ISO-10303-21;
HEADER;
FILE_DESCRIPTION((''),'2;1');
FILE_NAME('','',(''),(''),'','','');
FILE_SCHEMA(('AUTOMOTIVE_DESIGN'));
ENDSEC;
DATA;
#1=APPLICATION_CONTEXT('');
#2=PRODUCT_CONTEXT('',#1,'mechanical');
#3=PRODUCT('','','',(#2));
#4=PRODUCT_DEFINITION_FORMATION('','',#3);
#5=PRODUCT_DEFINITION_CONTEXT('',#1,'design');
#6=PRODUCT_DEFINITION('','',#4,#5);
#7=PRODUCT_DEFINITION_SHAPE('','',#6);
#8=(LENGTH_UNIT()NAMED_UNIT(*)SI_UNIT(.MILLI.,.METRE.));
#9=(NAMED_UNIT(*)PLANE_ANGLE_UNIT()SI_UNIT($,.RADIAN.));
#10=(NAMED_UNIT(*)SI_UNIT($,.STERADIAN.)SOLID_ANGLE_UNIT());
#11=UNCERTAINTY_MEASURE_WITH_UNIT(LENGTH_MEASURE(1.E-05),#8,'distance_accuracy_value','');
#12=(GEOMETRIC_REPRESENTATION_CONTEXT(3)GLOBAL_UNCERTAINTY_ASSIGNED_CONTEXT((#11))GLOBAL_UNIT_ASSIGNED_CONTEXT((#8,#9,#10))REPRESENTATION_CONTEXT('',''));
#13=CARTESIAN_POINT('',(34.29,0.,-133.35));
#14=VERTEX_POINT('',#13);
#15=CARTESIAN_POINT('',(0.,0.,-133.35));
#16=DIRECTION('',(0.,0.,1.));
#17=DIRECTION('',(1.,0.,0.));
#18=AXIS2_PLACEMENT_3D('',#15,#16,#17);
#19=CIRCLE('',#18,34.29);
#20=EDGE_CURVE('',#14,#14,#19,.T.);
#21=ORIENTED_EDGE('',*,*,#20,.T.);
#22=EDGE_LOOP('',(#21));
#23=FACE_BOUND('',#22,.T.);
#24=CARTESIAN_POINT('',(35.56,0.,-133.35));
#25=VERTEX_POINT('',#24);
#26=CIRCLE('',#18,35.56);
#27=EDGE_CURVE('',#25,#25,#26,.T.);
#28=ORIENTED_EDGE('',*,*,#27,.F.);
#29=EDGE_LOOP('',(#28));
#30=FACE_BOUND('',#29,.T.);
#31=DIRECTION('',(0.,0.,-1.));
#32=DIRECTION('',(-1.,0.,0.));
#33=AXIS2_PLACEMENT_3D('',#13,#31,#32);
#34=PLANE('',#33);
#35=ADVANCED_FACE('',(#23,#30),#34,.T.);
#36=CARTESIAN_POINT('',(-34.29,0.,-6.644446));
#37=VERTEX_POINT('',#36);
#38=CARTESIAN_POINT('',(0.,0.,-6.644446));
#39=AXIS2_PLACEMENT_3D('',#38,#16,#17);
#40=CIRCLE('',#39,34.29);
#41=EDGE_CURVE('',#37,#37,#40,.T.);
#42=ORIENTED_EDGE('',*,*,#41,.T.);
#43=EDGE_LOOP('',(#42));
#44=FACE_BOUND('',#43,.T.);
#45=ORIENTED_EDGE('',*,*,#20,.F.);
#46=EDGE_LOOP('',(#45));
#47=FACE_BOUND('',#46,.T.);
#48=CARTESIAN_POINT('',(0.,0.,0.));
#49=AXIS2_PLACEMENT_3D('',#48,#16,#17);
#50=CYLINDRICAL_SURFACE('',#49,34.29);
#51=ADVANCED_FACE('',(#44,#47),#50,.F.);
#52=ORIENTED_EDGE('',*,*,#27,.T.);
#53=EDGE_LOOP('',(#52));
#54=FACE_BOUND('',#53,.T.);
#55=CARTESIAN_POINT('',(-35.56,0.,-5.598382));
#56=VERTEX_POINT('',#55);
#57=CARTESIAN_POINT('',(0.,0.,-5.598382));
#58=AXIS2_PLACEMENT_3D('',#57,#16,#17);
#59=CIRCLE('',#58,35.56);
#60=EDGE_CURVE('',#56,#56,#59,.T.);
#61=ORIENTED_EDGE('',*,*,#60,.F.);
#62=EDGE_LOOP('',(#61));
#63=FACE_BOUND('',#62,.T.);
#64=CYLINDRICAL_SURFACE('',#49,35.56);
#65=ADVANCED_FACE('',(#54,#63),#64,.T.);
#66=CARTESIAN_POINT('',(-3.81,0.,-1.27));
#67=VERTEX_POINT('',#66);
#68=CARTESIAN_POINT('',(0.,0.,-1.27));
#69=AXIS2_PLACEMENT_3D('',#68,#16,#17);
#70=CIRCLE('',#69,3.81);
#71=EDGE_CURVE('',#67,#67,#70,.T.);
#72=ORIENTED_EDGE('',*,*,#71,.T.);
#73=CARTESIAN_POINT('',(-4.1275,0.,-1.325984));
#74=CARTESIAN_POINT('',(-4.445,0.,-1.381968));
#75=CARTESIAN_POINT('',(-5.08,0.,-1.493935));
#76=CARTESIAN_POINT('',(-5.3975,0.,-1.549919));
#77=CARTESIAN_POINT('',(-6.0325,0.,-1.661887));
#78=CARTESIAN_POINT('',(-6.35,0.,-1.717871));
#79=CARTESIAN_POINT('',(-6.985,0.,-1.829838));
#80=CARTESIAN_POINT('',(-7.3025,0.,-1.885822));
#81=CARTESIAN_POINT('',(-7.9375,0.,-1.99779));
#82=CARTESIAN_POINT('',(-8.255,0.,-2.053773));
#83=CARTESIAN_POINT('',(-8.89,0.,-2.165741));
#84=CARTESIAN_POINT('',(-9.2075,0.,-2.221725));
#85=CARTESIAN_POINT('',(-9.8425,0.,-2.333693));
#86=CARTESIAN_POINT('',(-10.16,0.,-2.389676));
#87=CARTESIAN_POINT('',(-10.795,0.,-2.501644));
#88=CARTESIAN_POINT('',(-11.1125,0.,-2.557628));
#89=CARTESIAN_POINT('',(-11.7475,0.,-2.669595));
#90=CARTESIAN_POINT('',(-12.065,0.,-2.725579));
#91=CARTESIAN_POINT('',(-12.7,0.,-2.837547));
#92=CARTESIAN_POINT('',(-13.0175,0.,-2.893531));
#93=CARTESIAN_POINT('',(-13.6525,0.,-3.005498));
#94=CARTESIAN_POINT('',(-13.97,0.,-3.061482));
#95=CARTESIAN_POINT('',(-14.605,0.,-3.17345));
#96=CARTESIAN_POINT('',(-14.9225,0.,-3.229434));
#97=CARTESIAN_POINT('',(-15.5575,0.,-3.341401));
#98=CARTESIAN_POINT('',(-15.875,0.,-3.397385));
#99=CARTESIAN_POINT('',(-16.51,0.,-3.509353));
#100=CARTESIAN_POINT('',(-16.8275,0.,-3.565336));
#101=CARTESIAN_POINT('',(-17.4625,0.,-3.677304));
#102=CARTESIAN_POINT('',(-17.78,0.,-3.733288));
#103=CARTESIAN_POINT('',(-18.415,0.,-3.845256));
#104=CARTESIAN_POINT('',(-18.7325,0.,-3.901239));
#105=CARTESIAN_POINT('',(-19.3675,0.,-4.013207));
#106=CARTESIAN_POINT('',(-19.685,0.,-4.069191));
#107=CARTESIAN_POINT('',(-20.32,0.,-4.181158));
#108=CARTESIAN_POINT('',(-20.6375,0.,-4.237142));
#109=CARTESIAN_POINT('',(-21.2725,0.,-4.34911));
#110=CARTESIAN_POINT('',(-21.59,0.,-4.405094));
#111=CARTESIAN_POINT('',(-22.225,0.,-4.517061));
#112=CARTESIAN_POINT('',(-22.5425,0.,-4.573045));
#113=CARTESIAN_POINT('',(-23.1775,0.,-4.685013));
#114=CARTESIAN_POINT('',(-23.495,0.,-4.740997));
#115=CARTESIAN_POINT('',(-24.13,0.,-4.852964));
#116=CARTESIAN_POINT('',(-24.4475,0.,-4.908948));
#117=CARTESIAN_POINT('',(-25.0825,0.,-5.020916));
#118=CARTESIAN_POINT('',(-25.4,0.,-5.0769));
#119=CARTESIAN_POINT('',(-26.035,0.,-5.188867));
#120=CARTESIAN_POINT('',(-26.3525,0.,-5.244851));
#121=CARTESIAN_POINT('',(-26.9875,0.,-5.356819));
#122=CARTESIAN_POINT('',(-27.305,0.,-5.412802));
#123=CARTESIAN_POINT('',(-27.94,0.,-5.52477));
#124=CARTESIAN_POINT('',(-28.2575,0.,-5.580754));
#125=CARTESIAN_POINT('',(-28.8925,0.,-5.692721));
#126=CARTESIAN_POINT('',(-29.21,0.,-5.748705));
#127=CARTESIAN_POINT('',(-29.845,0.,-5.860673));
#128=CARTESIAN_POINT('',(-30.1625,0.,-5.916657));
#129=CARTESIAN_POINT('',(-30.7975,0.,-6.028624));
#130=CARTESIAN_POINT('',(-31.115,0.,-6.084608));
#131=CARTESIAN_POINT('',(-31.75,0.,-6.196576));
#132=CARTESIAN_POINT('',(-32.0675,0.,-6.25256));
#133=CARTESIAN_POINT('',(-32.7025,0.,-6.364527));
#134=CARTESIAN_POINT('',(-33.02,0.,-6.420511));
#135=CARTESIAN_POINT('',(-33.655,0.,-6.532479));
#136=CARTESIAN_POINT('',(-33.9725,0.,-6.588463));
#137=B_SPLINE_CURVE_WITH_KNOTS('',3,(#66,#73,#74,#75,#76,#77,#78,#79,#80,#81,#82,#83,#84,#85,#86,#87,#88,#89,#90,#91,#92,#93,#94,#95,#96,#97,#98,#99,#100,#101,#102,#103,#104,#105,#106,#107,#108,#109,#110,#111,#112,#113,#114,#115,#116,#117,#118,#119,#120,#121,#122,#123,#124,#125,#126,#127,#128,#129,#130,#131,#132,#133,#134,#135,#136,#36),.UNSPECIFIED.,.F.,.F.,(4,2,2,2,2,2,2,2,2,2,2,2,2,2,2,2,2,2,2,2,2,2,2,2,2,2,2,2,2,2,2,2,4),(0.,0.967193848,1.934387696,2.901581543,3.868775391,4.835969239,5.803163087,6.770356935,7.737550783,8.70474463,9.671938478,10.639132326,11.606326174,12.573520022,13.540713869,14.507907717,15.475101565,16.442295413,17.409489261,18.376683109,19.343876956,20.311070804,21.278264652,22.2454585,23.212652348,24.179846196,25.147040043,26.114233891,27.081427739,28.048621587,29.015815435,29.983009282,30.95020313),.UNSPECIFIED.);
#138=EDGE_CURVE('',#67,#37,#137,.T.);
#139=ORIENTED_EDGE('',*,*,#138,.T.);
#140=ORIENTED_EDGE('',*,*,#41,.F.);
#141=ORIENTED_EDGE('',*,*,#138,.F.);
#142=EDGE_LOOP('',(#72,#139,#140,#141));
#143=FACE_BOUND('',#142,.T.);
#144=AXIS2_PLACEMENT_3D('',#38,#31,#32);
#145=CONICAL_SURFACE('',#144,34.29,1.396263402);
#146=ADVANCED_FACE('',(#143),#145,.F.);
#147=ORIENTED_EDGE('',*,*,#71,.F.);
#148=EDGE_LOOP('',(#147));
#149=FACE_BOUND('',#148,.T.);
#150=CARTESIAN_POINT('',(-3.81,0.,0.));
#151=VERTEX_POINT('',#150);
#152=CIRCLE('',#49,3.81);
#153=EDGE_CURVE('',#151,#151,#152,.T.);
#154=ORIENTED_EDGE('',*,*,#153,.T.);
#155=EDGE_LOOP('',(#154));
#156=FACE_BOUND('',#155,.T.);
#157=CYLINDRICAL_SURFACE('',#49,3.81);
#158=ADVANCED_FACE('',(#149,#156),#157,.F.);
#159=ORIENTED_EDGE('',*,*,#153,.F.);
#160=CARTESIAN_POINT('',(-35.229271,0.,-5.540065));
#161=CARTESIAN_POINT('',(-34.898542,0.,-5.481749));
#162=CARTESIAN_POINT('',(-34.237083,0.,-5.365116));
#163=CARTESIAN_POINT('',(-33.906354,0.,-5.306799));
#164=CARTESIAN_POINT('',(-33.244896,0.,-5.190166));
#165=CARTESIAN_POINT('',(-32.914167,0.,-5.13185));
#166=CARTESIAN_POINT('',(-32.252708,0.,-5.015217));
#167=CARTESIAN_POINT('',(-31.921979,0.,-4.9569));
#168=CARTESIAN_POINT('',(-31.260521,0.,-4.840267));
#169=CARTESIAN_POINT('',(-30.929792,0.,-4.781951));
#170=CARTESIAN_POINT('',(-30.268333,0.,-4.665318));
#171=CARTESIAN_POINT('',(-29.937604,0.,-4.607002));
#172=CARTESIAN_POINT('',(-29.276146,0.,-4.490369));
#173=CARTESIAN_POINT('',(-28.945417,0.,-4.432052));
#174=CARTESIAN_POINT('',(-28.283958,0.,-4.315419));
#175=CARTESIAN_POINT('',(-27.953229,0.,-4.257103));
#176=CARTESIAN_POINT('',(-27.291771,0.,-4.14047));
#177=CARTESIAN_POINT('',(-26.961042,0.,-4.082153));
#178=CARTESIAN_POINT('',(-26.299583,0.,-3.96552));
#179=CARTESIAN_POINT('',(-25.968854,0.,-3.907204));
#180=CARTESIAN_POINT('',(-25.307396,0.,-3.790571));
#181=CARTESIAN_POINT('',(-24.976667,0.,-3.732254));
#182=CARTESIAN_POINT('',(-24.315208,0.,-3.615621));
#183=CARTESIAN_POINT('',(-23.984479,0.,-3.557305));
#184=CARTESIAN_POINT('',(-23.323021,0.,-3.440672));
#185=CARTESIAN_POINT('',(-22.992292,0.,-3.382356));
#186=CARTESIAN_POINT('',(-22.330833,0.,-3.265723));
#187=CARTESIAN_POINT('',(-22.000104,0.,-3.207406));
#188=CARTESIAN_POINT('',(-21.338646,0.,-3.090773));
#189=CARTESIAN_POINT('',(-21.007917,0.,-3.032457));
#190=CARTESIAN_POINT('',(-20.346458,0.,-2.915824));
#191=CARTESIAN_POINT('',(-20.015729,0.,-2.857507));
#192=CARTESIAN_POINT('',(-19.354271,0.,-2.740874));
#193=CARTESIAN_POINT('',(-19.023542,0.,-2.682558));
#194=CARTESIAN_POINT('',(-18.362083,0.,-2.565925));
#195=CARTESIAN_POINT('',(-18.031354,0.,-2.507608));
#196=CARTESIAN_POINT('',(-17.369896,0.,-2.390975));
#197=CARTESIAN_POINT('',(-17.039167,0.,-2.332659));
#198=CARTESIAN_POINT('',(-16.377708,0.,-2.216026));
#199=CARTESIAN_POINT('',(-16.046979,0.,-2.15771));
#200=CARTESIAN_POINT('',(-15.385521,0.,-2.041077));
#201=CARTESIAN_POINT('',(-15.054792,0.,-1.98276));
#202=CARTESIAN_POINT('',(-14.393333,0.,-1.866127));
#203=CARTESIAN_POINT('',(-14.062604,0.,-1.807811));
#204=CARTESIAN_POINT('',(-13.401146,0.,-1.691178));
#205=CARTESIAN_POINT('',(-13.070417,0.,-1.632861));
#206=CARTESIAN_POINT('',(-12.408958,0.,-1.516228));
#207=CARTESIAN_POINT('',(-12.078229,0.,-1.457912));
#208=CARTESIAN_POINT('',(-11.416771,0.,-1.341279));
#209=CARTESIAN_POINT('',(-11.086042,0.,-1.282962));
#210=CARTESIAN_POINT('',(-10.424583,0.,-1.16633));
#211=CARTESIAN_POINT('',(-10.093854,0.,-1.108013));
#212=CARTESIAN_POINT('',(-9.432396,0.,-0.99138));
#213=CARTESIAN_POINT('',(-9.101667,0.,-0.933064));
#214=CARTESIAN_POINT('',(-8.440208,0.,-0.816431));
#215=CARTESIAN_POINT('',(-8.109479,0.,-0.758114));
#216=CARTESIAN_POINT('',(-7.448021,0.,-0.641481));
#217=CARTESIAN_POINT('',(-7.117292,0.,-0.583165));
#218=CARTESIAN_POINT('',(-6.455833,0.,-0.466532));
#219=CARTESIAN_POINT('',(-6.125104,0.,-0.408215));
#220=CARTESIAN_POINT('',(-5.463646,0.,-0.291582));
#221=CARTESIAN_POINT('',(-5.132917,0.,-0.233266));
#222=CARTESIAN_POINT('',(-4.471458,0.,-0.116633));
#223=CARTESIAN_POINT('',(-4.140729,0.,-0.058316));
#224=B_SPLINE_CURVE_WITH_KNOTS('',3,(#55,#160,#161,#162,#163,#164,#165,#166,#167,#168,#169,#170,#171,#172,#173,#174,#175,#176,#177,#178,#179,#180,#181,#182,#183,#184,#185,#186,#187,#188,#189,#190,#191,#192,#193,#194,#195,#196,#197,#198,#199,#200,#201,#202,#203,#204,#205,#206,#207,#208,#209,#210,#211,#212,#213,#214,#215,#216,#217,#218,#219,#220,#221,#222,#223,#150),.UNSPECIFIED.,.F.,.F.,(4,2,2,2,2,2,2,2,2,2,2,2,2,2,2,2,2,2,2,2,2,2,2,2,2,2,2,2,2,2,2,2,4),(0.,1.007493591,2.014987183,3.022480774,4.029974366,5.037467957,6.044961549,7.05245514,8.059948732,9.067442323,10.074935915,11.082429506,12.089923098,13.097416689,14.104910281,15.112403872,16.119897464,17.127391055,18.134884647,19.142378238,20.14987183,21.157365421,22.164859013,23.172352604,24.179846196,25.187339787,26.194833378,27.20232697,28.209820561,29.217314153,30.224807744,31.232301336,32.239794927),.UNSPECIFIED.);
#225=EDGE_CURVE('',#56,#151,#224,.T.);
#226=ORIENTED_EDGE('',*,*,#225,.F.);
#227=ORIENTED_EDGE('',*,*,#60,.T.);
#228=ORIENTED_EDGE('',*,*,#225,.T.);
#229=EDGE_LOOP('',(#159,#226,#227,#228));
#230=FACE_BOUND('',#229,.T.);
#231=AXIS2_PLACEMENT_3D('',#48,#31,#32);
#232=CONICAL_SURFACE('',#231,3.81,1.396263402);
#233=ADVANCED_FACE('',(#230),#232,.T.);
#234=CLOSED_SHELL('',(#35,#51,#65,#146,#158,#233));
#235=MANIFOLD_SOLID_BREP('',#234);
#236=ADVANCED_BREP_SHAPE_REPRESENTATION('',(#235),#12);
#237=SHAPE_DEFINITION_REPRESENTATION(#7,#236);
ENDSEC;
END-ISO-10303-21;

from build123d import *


with BuildPart() as part:
    # Sketch1 → Revolve1 (revolve)
    with BuildSketch(Plane(origin=(0, 0, 0), x_dir=(1, 0, 0), z_dir=(0, 1, 0)), mode=Mode.PRIVATE) as revolve1_sk:
        Polygon((3.81, 0), (35.56, 5.598381637), (35.56, 133.35), (34.29, 133.35), (34.29, 6.644446372), (3.81, 1.27), align=None)
    revolve(revolve1_sk.sketch.rotate(Axis((0, 0, 0), (0, 0, -1)), 180), axis=Axis((0, 0, 0), (0, 0, -1)))


solid = part.part
